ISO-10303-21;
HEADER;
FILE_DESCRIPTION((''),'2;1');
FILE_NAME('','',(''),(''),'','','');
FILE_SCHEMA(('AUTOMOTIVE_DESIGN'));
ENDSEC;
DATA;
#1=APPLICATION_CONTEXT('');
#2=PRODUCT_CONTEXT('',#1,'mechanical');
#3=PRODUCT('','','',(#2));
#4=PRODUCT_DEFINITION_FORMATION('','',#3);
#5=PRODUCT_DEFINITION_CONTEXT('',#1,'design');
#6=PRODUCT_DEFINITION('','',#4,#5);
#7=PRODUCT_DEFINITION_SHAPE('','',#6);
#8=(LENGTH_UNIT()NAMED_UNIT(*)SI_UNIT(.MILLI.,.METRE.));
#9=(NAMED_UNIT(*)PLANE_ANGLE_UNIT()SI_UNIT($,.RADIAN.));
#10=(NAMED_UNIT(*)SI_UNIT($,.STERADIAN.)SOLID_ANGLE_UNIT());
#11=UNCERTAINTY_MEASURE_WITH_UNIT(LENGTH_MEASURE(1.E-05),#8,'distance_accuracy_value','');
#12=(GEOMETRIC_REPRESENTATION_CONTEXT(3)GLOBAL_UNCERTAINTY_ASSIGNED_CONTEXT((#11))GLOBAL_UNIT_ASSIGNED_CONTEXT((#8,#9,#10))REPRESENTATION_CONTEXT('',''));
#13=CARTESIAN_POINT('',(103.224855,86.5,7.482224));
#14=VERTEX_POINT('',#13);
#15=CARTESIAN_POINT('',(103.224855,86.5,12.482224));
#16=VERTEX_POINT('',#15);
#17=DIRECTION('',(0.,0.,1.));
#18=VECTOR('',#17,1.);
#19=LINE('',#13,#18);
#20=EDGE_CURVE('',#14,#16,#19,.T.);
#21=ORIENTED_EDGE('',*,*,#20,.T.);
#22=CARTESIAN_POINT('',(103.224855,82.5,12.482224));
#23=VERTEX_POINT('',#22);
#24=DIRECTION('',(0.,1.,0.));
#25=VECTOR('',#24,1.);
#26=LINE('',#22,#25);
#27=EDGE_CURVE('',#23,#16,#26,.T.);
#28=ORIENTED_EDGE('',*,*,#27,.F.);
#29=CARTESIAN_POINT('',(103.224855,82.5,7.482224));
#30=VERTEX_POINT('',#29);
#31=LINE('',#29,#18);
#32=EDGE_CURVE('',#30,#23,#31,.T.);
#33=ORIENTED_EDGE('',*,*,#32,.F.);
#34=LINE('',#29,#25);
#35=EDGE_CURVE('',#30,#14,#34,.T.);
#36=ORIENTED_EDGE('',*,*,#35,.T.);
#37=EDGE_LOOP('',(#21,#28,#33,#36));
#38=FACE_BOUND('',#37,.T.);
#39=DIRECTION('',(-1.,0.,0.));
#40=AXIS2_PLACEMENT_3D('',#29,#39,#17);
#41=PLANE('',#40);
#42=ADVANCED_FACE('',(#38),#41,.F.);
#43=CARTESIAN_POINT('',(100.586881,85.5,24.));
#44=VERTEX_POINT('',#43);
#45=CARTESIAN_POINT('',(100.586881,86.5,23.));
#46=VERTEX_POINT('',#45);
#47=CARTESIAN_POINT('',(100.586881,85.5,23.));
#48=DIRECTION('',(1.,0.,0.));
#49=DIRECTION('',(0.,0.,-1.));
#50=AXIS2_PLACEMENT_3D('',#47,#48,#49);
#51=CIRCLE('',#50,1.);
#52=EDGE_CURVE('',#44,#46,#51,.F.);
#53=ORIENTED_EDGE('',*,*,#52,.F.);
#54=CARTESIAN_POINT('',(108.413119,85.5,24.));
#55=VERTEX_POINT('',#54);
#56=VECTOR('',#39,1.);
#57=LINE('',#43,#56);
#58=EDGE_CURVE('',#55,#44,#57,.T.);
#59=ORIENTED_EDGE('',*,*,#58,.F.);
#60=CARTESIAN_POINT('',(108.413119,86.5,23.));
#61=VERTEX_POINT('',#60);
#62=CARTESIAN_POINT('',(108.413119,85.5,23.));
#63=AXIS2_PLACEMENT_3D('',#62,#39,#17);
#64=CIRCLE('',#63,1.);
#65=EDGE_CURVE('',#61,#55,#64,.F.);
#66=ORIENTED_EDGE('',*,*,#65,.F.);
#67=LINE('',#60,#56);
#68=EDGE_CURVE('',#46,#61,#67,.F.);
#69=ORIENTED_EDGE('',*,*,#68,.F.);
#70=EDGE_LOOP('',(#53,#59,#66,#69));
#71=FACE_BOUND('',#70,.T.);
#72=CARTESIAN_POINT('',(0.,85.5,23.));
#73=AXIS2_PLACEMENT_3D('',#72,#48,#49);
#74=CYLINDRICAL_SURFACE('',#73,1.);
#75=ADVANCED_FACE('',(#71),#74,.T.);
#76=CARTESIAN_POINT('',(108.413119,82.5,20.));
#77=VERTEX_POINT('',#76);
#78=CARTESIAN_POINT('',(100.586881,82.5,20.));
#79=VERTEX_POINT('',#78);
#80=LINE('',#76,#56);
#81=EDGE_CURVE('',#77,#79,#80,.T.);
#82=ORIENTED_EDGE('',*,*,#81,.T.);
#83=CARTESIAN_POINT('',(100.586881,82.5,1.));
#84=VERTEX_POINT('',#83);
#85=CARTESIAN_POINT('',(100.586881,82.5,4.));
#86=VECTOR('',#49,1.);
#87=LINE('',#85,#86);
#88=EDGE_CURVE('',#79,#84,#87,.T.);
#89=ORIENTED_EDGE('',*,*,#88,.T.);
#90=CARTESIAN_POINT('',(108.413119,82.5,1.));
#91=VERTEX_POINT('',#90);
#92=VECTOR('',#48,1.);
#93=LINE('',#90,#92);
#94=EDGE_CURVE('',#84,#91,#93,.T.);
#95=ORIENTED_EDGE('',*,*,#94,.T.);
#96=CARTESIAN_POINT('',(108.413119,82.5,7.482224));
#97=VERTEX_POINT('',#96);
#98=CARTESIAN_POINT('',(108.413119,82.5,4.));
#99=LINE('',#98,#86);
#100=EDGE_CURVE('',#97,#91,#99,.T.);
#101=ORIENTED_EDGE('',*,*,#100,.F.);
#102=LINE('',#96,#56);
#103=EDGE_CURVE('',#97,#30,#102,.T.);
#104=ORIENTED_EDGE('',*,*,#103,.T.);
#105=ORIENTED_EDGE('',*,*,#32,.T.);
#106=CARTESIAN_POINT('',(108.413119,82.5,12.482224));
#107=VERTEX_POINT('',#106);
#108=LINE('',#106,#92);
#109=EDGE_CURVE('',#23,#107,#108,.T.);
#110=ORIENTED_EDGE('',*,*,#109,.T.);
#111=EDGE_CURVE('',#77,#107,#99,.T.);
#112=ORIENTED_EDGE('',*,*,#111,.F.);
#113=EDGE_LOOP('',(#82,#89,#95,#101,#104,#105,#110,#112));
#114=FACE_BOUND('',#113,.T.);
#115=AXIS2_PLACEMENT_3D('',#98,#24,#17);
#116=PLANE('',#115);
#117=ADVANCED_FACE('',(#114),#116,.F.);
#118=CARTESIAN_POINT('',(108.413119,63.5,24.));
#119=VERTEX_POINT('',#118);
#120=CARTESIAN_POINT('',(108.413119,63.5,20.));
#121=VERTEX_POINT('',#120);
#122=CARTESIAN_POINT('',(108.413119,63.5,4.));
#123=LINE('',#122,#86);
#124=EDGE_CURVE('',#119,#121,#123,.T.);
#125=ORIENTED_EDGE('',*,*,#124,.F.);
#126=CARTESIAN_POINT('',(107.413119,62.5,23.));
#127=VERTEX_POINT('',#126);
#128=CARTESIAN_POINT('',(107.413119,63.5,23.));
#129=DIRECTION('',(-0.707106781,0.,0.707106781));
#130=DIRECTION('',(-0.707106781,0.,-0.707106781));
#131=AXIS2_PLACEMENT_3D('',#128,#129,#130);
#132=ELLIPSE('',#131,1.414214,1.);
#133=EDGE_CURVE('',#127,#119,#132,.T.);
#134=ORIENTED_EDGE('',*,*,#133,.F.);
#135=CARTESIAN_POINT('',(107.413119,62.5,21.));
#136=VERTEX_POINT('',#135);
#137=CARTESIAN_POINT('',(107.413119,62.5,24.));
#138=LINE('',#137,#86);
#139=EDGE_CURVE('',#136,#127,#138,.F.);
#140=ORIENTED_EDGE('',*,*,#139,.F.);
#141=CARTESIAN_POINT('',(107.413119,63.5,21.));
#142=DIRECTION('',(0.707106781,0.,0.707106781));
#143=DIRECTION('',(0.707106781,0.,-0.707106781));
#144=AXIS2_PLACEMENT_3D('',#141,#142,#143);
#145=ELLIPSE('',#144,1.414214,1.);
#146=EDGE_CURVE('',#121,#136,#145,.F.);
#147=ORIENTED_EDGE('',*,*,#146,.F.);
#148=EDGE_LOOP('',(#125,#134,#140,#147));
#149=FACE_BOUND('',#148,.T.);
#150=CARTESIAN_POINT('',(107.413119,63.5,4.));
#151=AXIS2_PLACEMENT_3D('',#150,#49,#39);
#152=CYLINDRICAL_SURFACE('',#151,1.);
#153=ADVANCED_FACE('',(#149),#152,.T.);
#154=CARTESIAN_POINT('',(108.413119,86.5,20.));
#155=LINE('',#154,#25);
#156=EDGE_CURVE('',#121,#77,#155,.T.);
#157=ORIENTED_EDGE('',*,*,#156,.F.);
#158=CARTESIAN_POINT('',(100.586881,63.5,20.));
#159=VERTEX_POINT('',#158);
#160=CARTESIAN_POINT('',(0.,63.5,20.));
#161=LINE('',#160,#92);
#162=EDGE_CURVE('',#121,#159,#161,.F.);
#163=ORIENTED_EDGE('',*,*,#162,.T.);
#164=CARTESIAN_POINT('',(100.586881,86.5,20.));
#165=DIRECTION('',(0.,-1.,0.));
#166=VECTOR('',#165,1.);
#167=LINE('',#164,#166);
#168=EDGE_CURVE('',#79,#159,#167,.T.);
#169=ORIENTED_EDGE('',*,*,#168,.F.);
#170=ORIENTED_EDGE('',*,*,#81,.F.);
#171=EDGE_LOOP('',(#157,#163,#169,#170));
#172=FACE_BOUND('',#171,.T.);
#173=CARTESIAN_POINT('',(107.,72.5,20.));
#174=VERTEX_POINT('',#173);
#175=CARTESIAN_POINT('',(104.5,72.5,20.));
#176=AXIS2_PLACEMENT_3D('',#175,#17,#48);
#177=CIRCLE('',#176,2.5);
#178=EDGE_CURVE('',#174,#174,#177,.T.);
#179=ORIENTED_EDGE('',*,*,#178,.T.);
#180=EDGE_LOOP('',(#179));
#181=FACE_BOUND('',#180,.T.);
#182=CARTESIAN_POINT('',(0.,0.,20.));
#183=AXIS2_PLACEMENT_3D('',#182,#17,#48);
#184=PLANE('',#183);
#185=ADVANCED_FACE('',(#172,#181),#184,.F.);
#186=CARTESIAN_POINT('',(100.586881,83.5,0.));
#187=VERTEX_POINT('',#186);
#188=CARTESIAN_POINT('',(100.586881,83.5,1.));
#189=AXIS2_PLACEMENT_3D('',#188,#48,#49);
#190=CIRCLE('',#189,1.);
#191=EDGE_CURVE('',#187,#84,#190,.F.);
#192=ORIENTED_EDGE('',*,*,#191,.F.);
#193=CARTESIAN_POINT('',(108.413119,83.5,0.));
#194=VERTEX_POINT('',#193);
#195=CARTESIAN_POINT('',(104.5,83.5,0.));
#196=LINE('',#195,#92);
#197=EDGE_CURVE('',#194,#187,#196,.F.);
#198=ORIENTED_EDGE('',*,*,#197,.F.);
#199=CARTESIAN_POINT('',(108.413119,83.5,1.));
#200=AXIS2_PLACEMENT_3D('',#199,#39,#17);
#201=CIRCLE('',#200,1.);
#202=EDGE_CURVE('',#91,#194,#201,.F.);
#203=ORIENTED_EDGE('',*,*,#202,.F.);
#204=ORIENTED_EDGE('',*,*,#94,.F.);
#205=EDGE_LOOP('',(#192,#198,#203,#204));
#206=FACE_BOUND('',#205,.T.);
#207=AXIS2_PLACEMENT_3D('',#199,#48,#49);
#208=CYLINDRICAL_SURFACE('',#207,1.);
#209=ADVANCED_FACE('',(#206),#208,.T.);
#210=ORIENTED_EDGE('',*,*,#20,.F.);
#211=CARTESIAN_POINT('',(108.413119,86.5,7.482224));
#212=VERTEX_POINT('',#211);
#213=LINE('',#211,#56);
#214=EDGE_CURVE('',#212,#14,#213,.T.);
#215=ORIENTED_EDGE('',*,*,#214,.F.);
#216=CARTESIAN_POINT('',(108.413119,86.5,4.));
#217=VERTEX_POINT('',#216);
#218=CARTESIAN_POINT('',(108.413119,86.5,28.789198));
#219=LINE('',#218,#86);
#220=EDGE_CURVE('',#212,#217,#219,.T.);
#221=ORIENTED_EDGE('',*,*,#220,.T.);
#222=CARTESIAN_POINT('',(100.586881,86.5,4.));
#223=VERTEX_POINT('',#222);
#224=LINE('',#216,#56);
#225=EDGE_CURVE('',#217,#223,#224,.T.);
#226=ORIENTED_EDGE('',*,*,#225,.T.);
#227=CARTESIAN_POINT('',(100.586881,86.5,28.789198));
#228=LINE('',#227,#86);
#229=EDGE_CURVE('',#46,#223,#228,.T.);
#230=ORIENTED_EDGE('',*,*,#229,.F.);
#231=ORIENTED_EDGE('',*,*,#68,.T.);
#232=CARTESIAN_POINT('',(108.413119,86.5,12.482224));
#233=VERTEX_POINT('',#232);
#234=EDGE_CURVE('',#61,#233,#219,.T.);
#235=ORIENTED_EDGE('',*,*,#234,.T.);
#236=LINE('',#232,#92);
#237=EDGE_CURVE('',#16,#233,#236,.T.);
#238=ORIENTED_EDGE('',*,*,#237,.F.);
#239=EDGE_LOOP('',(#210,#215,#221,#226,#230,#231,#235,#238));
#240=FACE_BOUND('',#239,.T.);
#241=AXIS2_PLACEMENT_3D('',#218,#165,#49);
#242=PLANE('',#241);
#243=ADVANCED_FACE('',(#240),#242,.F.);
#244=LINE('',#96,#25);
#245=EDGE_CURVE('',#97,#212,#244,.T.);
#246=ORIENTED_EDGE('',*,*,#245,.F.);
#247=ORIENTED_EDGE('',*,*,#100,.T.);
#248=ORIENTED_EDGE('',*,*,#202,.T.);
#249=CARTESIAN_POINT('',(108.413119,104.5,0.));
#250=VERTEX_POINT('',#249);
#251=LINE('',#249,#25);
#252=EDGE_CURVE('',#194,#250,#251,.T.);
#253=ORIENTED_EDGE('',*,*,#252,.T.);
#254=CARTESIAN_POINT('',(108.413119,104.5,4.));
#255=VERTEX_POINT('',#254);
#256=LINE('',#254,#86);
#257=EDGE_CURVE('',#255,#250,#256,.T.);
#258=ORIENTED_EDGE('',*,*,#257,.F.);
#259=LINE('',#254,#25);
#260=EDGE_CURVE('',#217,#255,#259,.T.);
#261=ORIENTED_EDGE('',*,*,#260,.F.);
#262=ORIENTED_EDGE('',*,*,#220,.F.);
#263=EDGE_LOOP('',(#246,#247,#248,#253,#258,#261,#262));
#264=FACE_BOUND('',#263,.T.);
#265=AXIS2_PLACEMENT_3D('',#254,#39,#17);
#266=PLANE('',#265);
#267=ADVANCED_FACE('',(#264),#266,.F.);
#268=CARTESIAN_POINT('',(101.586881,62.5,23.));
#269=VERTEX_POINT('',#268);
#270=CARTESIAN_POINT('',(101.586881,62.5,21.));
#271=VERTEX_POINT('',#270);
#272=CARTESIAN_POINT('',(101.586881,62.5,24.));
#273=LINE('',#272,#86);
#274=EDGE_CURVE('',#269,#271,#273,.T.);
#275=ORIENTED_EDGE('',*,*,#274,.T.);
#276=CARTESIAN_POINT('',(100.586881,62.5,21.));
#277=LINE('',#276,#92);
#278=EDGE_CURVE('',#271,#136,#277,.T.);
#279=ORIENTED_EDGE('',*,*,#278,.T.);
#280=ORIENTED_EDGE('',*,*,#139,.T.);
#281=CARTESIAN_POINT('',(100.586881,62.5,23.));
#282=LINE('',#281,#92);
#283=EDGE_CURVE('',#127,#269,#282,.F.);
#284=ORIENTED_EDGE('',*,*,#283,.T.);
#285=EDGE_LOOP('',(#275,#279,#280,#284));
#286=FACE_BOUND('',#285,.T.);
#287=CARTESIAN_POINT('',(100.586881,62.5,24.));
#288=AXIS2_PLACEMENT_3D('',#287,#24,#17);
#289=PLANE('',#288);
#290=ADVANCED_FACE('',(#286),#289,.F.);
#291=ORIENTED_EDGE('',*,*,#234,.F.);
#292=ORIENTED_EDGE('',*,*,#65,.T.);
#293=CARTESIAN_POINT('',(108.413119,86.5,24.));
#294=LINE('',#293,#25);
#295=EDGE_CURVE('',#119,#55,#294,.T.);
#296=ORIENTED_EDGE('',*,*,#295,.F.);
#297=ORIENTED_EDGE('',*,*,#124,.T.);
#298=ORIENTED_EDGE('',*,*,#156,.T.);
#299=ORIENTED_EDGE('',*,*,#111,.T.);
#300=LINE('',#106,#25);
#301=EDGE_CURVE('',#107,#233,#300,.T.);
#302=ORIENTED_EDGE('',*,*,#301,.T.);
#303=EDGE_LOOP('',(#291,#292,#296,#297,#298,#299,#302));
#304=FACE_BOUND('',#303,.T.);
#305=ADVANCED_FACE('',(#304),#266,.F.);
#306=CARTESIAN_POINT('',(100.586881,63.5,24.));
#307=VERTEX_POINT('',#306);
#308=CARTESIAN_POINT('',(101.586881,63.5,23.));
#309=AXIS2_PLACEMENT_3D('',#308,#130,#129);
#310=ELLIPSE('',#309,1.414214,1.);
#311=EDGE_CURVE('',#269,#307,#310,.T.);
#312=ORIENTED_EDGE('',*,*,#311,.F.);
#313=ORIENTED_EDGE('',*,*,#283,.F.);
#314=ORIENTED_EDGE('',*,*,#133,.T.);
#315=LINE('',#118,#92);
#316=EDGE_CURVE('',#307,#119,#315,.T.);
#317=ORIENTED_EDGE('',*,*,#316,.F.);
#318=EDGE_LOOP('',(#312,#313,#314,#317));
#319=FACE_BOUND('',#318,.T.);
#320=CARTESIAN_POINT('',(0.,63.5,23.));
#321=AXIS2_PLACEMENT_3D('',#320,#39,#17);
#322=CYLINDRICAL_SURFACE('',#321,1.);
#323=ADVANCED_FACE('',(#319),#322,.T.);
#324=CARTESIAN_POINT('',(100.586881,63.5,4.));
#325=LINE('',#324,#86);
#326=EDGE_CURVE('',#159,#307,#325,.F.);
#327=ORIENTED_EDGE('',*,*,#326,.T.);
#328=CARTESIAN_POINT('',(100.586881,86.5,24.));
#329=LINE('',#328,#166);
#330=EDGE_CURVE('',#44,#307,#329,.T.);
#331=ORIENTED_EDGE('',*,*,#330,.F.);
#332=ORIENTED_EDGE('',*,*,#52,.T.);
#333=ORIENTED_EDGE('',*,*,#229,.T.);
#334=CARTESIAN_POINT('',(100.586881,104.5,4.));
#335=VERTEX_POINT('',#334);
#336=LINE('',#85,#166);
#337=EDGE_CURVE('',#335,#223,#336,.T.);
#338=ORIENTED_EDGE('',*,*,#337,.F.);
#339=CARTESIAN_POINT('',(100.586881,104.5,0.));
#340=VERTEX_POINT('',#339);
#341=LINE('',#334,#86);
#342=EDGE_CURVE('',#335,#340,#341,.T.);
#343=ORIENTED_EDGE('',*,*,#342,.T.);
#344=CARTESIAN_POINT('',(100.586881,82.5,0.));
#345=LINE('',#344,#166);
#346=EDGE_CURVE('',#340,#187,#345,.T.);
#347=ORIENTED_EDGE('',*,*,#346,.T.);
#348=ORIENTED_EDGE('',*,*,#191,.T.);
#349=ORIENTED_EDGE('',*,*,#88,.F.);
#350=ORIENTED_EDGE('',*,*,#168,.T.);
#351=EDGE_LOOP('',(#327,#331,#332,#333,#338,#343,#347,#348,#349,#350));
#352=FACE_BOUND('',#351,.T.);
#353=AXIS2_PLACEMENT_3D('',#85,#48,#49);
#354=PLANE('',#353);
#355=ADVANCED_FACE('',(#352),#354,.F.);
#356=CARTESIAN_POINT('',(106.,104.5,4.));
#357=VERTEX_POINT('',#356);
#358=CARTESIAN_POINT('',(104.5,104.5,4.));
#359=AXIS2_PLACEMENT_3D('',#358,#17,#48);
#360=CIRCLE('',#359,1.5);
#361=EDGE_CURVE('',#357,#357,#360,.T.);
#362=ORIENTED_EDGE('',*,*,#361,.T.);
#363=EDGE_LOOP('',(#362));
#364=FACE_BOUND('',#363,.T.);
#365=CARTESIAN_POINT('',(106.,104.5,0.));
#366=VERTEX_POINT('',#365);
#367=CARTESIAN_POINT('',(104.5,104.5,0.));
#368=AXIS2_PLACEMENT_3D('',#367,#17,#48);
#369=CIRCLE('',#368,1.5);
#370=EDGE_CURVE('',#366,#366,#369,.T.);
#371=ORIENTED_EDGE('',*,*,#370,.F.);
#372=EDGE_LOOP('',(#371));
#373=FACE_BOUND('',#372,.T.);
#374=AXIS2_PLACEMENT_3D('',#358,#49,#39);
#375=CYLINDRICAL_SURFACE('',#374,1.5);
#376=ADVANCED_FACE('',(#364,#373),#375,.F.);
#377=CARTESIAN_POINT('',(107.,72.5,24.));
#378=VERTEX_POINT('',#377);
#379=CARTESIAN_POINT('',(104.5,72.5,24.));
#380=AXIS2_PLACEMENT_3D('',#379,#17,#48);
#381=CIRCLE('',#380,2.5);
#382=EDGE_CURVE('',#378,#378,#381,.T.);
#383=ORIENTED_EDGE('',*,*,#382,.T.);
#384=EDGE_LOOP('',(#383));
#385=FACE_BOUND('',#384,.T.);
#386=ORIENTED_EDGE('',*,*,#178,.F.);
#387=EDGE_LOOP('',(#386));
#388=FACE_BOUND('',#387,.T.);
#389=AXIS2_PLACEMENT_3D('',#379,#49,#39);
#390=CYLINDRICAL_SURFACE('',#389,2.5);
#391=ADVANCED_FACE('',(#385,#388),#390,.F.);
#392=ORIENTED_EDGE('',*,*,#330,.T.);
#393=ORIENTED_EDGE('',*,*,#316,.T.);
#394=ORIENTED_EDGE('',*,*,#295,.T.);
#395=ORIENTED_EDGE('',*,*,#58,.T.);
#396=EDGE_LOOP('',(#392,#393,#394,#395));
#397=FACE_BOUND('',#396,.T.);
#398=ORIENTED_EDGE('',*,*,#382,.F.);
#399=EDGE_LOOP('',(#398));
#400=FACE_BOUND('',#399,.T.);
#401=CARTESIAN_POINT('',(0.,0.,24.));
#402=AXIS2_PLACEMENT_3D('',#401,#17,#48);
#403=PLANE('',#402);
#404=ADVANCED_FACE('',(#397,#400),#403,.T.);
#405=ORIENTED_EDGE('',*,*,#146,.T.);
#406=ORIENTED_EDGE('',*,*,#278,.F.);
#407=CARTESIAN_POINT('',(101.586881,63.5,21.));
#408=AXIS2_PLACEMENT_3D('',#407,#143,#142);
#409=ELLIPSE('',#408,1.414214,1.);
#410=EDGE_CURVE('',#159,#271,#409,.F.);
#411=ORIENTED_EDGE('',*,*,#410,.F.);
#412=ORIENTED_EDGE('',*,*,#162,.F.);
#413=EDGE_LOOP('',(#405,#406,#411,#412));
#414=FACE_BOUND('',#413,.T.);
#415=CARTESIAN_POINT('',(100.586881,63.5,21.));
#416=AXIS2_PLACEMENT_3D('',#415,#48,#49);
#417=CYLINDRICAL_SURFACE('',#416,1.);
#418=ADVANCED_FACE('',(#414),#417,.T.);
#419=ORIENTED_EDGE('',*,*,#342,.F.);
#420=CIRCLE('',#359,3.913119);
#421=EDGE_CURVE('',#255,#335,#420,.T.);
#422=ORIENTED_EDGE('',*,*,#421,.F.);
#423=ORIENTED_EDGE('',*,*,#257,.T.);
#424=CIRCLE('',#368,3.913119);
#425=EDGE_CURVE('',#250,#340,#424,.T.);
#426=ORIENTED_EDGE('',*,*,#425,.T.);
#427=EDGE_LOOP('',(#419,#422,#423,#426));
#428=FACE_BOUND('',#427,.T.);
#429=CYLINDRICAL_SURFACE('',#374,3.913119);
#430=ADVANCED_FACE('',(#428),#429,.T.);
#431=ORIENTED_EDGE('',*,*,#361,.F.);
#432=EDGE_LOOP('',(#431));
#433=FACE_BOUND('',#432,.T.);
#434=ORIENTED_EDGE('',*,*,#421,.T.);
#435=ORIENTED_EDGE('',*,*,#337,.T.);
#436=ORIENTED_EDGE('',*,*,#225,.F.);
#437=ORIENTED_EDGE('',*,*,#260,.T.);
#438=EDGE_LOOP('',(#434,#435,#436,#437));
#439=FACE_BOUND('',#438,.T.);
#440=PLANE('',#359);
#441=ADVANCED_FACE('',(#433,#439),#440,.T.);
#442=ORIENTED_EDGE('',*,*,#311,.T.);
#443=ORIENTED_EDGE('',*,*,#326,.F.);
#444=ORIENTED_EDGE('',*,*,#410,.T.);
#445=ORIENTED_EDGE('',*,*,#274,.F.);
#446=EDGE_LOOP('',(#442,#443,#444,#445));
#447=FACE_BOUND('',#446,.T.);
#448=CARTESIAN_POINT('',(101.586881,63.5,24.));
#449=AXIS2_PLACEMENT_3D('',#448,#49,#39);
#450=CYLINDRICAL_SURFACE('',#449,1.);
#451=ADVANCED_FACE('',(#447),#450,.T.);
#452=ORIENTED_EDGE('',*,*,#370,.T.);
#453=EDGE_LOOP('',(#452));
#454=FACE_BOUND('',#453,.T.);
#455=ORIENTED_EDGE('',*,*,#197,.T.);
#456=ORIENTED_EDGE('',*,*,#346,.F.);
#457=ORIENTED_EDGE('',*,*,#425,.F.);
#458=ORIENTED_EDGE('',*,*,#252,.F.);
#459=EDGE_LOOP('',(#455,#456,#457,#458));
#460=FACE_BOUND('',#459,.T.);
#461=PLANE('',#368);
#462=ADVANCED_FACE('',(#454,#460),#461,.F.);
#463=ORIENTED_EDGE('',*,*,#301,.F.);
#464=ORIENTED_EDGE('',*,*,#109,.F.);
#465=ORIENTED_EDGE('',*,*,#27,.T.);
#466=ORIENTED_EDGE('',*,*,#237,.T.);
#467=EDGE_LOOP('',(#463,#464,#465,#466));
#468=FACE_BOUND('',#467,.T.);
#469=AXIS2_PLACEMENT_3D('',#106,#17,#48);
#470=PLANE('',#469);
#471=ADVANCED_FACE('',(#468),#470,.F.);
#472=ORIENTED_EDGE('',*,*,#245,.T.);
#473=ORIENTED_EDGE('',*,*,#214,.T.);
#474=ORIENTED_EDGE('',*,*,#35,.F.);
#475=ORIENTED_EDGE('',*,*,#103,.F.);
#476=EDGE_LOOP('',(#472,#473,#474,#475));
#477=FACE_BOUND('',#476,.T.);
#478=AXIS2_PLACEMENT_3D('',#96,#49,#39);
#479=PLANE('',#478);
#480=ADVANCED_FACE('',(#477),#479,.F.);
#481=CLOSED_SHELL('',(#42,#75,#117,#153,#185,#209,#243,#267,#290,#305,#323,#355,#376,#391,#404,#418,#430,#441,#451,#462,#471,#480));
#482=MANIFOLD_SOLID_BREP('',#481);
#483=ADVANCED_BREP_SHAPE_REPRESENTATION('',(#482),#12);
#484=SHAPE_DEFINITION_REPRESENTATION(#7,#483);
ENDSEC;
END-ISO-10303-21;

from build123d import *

# Parameters (mm, degrees)
SKICA1_R                 = 1.5
P_IDAT_VYSUNUT_M1_DEPTH  = 4
SKICA2_W                 = 7.826237638
SKICA2_H                 = 4
P_IDAT_VYSUNUT_M2_DEPTH  = 16
SKICA3_W                 = 7.826237638
SKICA3_H                 = 24
SKICA3_R                 = 2.5
P_IDAT_VYSUNUT_M3_DEPTH  = 4
SKICA4_W                 = 5.18826407
SKICA4_H                 = 5
ODEBRAT_VYSUNUT_M1_DEPTH = 4
ZAOBLIT1_R               = 1
ZAOBLIT2_R               = 1


with BuildPart() as part:
    # Skica1 → Přidat vysunutím1 (new body)
    with BuildSketch(Plane.XY):
        with BuildLine():
            Line((108.413118819, 104.5), (108.413118819, 82.5))
            Line((108.413118819, 82.5), (100.586881181, 82.5))
            Line((100.586881181, 82.5), (100.586881181, 104.5))
            ThreePointArc((100.586881181, 104.5), (104.5, 108.413118819), (108.413118819, 104.5))
        make_face()
        with Locations((104.5, 104.5)):
            Circle(SKICA1_R, mode=Mode.SUBTRACT)
    extrude(amount=P_IDAT_VYSUNUT_M1_DEPTH)

    # Skica2 → Přidat vysunutím2 (add)
    with BuildSketch(Plane.XY.offset(4)):
        with Locations((104.5, 84.5)):
            Rectangle(SKICA2_W, SKICA2_H)
    extrude(amount=P_IDAT_VYSUNUT_M2_DEPTH)

    # Skica3 → Přidat vysunutím3 (add)
    with BuildSketch(Plane.XY.offset(20)):
        with Locations((104.5, 74.5)):
            Rectangle(SKICA3_W, SKICA3_H)
        with Locations((104.5, 72.5)):
            Circle(SKICA3_R, mode=Mode.SUBTRACT)
    extrude(amount=P_IDAT_VYSUNUT_M3_DEPTH)

    # Skica4 → Odebrat vysunutím1 (cut)
    with BuildSketch(Plane(origin=(0, 86.5, 0), x_dir=(1, 0, 0), z_dir=(0, 1, 0))):
        with Locations((105.818986784, -9.982223616)):
            Rectangle(SKICA4_W, SKICA4_H)
    extrude(amount=-ODEBRAT_VYSUNUT_M1_DEPTH, mode=Mode.SUBTRACT)

    # Zaoblit1
    zaoblit1_edges = [part.edges().sort_by_distance(p)[0] for p in [
        (104.5, 86.5, 24),
    ]]
    fillet(zaoblit1_edges, radius=ZAOBLIT1_R)

    # Zaoblit2
    zaoblit2_edges = [part.edges().sort_by_distance(p)[0] for p in [
        (104.5, 62.5, 24),
        (104.5, 62.5, 20),
        (100.586881181, 62.5, 22),
        (108.413118819, 62.5, 22),
        (104.5, 82.5, 0),
    ]]
    fillet(zaoblit2_edges, radius=ZAOBLIT2_R)


solid = part.part
